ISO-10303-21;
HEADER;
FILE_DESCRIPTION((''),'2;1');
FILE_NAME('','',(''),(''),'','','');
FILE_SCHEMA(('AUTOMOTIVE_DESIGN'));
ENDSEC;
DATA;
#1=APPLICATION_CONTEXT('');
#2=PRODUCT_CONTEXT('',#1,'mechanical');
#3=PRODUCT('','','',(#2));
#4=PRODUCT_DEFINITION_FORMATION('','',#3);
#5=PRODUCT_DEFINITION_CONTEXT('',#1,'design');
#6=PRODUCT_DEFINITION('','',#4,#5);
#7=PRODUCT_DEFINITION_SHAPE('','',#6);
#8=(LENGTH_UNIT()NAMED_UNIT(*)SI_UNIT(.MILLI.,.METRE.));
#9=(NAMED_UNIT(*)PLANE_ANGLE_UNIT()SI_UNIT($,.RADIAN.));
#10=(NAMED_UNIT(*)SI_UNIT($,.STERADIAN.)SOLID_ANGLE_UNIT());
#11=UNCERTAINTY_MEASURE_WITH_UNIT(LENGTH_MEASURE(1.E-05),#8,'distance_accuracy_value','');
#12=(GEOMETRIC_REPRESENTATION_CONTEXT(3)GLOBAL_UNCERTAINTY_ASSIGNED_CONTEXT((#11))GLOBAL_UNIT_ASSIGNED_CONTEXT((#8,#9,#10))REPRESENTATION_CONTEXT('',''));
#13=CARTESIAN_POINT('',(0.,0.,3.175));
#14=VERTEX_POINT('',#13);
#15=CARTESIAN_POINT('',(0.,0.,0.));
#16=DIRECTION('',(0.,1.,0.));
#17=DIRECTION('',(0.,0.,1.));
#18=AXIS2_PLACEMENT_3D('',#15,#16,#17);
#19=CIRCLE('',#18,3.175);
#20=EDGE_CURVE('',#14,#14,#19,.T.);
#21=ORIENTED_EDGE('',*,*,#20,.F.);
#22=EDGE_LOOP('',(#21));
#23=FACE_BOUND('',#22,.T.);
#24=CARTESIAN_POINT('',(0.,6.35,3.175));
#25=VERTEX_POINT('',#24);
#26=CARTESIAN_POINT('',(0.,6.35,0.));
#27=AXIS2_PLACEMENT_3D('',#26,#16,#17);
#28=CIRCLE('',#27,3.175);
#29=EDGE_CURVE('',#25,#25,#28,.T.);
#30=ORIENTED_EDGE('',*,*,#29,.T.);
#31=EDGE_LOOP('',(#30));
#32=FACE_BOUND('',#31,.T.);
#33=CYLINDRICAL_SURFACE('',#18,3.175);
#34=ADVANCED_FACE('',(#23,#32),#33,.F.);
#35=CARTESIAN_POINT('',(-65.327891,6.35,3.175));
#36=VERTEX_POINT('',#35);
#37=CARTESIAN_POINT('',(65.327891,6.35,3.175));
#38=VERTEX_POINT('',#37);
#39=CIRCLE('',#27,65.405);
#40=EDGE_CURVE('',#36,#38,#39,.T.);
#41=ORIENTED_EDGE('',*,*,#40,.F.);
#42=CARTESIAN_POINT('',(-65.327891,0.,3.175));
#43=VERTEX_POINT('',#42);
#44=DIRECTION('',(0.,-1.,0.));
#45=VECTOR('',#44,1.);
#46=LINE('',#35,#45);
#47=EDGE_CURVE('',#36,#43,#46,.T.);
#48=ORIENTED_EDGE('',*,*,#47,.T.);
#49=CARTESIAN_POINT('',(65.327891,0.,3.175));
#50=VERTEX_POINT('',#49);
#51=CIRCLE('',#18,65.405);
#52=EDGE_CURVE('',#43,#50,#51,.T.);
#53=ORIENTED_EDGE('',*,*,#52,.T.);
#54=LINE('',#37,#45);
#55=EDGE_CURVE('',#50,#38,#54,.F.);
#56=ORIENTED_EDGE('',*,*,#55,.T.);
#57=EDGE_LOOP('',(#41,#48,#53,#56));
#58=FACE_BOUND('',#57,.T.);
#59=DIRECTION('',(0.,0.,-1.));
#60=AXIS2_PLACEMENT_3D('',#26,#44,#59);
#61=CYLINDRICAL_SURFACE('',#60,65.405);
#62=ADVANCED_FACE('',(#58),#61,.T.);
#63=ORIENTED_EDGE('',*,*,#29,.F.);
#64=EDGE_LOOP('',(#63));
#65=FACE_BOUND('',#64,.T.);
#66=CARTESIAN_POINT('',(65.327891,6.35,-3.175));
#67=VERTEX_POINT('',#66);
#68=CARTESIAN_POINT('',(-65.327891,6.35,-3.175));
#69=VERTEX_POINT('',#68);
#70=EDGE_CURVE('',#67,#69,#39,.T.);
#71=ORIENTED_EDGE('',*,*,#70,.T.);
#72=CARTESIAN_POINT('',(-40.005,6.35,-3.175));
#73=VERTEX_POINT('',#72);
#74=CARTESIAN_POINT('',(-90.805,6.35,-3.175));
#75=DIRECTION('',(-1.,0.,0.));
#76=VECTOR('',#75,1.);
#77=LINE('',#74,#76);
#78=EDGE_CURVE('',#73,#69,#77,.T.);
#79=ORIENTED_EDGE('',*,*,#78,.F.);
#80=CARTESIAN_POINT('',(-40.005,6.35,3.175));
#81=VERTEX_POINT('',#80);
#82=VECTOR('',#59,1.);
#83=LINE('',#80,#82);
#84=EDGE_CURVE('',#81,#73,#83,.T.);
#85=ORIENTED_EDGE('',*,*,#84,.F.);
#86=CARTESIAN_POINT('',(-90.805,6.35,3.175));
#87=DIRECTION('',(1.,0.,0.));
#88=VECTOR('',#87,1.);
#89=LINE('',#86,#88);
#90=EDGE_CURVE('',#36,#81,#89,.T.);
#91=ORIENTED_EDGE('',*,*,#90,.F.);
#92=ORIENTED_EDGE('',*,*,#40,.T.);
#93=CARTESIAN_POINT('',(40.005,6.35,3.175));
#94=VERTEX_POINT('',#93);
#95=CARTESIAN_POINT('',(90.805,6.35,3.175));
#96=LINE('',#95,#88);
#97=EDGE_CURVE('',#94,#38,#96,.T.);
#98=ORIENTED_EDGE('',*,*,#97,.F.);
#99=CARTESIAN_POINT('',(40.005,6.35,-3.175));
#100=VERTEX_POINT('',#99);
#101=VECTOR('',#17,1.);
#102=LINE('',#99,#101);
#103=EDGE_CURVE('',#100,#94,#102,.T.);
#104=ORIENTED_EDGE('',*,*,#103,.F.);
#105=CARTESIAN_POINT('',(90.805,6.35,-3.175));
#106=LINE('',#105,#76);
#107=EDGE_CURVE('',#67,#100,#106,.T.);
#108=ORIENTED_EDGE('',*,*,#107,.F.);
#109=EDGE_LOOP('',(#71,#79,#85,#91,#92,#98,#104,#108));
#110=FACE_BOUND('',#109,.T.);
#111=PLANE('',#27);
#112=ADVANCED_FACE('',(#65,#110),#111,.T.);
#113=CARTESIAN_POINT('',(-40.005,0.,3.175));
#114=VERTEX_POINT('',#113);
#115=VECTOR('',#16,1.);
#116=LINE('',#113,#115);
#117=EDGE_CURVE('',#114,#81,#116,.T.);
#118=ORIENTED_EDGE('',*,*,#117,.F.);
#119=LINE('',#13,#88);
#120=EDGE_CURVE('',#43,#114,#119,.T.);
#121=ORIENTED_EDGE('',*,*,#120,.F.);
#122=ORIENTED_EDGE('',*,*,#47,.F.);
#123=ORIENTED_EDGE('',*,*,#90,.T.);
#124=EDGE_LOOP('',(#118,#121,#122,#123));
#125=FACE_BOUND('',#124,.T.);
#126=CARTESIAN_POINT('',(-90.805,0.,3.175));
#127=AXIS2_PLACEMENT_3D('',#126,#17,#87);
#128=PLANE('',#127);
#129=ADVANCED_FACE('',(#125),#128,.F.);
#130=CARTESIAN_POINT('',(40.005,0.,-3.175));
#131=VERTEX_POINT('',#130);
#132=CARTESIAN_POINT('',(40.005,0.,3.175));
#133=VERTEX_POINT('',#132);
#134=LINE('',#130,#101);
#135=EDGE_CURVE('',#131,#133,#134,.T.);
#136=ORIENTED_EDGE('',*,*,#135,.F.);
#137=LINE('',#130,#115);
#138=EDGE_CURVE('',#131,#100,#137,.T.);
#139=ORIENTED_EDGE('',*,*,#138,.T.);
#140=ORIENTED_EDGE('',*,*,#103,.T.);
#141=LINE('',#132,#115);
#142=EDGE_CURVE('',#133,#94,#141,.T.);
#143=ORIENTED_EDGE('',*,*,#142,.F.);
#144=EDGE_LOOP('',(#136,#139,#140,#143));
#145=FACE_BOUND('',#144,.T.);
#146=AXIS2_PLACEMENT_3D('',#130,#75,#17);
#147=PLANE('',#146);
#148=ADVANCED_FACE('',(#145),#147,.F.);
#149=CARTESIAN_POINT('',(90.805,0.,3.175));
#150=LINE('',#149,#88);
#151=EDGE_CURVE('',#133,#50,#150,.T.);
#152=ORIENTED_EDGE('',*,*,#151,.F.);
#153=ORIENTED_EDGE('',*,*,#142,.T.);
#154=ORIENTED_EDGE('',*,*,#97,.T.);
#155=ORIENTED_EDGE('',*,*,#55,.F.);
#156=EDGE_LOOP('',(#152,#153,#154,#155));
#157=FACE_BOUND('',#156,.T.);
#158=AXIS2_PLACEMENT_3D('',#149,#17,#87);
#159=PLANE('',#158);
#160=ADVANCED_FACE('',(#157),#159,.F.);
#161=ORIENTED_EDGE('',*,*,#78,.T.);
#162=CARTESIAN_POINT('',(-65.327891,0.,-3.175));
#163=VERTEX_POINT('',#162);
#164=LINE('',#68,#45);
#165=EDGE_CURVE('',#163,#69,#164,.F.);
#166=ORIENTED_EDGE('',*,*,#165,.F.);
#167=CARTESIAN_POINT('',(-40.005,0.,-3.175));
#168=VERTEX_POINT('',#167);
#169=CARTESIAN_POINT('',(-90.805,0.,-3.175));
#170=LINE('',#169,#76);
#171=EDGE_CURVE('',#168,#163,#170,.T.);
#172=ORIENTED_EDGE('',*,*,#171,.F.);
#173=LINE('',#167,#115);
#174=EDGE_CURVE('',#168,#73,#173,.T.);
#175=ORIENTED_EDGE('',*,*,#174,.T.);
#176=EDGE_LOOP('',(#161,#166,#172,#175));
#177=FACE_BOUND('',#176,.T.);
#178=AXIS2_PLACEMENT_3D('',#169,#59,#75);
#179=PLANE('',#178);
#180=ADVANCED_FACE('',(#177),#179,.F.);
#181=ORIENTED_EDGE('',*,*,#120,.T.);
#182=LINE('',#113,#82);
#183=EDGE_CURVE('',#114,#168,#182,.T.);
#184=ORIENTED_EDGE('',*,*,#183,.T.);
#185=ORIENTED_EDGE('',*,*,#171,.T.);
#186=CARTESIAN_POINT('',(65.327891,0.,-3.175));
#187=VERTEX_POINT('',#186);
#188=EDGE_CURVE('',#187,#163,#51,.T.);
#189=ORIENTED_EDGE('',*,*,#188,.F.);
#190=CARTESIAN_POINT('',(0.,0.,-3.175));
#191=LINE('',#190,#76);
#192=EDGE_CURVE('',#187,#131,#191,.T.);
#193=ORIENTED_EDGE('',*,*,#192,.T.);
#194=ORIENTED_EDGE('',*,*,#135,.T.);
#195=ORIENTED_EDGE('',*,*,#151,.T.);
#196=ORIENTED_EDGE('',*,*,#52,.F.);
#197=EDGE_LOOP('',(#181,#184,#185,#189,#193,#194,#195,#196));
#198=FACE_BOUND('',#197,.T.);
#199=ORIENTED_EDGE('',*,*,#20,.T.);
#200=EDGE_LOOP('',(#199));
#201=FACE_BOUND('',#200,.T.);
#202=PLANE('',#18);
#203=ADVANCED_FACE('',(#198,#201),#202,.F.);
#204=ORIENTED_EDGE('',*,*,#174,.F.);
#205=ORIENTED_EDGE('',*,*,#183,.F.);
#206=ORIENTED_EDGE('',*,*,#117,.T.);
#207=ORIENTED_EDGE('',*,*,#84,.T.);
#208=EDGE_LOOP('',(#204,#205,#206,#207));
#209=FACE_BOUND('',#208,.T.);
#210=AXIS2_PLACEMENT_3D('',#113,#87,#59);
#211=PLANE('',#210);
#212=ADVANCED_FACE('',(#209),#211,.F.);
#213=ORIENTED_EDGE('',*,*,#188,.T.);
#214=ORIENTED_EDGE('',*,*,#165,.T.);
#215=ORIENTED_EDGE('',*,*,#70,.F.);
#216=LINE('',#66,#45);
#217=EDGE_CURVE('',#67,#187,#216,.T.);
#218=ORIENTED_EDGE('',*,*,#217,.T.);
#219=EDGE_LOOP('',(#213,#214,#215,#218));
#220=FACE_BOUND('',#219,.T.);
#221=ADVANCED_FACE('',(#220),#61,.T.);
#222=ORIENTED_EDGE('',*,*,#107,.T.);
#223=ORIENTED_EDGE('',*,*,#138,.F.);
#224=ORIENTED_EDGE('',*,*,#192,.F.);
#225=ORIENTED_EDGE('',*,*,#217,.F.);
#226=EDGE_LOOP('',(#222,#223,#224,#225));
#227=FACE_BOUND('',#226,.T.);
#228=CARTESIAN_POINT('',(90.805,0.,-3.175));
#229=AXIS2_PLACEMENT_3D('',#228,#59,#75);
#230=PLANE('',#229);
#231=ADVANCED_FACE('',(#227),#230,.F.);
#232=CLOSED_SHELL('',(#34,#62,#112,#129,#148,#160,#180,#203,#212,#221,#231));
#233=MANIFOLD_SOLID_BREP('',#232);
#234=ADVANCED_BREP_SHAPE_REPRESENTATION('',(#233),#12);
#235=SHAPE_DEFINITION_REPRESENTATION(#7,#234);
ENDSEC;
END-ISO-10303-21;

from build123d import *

# Parameters (mm, degrees)
SKETCH1_R           = 65.405
BOSS_EXTRUDE1_DEPTH = 6.35
SKETCH2_W           = 50.8
SKETCH2_H           = 6.35
CUT_EXTRUDE1_DEPTH  = 6.35
SKETCH7_R           = 3.175
CUT_EXTRUDE2_DEPTH  = 7.35


with BuildPart() as part:
    # Sketch1 → Boss-Extrude1 (new body)
    with BuildSketch(Plane(origin=(0, 0, 0), x_dir=(1, 0, 0), z_dir=(0, 1, 0))):
        Circle(SKETCH1_R)
    extrude(amount=BOSS_EXTRUDE1_DEPTH)

    # Sketch2 → Cut-Extrude1 (cut)
    with BuildSketch(Plane(origin=(0, 6.35, 0), x_dir=(1, 0, 0), z_dir=(0, 1, 0))):
        with Locations((-65.405, 0)):
            Rectangle(SKETCH2_W, SKETCH2_H)
        with Locations((65.405, 0)):
            Rectangle(SKETCH2_W, SKETCH2_H)
    extrude(amount=-CUT_EXTRUDE1_DEPTH, mode=Mode.SUBTRACT)

    # Sketch7 → Cut-Extrude2 (cut, through all)
    with BuildSketch(Plane(origin=(0, 6.35, 0), x_dir=(1, 0, 0), z_dir=(0, 1, 0))):
        Circle(SKETCH7_R)
    extrude(amount=-CUT_EXTRUDE2_DEPTH, mode=Mode.SUBTRACT)


solid = part.part
